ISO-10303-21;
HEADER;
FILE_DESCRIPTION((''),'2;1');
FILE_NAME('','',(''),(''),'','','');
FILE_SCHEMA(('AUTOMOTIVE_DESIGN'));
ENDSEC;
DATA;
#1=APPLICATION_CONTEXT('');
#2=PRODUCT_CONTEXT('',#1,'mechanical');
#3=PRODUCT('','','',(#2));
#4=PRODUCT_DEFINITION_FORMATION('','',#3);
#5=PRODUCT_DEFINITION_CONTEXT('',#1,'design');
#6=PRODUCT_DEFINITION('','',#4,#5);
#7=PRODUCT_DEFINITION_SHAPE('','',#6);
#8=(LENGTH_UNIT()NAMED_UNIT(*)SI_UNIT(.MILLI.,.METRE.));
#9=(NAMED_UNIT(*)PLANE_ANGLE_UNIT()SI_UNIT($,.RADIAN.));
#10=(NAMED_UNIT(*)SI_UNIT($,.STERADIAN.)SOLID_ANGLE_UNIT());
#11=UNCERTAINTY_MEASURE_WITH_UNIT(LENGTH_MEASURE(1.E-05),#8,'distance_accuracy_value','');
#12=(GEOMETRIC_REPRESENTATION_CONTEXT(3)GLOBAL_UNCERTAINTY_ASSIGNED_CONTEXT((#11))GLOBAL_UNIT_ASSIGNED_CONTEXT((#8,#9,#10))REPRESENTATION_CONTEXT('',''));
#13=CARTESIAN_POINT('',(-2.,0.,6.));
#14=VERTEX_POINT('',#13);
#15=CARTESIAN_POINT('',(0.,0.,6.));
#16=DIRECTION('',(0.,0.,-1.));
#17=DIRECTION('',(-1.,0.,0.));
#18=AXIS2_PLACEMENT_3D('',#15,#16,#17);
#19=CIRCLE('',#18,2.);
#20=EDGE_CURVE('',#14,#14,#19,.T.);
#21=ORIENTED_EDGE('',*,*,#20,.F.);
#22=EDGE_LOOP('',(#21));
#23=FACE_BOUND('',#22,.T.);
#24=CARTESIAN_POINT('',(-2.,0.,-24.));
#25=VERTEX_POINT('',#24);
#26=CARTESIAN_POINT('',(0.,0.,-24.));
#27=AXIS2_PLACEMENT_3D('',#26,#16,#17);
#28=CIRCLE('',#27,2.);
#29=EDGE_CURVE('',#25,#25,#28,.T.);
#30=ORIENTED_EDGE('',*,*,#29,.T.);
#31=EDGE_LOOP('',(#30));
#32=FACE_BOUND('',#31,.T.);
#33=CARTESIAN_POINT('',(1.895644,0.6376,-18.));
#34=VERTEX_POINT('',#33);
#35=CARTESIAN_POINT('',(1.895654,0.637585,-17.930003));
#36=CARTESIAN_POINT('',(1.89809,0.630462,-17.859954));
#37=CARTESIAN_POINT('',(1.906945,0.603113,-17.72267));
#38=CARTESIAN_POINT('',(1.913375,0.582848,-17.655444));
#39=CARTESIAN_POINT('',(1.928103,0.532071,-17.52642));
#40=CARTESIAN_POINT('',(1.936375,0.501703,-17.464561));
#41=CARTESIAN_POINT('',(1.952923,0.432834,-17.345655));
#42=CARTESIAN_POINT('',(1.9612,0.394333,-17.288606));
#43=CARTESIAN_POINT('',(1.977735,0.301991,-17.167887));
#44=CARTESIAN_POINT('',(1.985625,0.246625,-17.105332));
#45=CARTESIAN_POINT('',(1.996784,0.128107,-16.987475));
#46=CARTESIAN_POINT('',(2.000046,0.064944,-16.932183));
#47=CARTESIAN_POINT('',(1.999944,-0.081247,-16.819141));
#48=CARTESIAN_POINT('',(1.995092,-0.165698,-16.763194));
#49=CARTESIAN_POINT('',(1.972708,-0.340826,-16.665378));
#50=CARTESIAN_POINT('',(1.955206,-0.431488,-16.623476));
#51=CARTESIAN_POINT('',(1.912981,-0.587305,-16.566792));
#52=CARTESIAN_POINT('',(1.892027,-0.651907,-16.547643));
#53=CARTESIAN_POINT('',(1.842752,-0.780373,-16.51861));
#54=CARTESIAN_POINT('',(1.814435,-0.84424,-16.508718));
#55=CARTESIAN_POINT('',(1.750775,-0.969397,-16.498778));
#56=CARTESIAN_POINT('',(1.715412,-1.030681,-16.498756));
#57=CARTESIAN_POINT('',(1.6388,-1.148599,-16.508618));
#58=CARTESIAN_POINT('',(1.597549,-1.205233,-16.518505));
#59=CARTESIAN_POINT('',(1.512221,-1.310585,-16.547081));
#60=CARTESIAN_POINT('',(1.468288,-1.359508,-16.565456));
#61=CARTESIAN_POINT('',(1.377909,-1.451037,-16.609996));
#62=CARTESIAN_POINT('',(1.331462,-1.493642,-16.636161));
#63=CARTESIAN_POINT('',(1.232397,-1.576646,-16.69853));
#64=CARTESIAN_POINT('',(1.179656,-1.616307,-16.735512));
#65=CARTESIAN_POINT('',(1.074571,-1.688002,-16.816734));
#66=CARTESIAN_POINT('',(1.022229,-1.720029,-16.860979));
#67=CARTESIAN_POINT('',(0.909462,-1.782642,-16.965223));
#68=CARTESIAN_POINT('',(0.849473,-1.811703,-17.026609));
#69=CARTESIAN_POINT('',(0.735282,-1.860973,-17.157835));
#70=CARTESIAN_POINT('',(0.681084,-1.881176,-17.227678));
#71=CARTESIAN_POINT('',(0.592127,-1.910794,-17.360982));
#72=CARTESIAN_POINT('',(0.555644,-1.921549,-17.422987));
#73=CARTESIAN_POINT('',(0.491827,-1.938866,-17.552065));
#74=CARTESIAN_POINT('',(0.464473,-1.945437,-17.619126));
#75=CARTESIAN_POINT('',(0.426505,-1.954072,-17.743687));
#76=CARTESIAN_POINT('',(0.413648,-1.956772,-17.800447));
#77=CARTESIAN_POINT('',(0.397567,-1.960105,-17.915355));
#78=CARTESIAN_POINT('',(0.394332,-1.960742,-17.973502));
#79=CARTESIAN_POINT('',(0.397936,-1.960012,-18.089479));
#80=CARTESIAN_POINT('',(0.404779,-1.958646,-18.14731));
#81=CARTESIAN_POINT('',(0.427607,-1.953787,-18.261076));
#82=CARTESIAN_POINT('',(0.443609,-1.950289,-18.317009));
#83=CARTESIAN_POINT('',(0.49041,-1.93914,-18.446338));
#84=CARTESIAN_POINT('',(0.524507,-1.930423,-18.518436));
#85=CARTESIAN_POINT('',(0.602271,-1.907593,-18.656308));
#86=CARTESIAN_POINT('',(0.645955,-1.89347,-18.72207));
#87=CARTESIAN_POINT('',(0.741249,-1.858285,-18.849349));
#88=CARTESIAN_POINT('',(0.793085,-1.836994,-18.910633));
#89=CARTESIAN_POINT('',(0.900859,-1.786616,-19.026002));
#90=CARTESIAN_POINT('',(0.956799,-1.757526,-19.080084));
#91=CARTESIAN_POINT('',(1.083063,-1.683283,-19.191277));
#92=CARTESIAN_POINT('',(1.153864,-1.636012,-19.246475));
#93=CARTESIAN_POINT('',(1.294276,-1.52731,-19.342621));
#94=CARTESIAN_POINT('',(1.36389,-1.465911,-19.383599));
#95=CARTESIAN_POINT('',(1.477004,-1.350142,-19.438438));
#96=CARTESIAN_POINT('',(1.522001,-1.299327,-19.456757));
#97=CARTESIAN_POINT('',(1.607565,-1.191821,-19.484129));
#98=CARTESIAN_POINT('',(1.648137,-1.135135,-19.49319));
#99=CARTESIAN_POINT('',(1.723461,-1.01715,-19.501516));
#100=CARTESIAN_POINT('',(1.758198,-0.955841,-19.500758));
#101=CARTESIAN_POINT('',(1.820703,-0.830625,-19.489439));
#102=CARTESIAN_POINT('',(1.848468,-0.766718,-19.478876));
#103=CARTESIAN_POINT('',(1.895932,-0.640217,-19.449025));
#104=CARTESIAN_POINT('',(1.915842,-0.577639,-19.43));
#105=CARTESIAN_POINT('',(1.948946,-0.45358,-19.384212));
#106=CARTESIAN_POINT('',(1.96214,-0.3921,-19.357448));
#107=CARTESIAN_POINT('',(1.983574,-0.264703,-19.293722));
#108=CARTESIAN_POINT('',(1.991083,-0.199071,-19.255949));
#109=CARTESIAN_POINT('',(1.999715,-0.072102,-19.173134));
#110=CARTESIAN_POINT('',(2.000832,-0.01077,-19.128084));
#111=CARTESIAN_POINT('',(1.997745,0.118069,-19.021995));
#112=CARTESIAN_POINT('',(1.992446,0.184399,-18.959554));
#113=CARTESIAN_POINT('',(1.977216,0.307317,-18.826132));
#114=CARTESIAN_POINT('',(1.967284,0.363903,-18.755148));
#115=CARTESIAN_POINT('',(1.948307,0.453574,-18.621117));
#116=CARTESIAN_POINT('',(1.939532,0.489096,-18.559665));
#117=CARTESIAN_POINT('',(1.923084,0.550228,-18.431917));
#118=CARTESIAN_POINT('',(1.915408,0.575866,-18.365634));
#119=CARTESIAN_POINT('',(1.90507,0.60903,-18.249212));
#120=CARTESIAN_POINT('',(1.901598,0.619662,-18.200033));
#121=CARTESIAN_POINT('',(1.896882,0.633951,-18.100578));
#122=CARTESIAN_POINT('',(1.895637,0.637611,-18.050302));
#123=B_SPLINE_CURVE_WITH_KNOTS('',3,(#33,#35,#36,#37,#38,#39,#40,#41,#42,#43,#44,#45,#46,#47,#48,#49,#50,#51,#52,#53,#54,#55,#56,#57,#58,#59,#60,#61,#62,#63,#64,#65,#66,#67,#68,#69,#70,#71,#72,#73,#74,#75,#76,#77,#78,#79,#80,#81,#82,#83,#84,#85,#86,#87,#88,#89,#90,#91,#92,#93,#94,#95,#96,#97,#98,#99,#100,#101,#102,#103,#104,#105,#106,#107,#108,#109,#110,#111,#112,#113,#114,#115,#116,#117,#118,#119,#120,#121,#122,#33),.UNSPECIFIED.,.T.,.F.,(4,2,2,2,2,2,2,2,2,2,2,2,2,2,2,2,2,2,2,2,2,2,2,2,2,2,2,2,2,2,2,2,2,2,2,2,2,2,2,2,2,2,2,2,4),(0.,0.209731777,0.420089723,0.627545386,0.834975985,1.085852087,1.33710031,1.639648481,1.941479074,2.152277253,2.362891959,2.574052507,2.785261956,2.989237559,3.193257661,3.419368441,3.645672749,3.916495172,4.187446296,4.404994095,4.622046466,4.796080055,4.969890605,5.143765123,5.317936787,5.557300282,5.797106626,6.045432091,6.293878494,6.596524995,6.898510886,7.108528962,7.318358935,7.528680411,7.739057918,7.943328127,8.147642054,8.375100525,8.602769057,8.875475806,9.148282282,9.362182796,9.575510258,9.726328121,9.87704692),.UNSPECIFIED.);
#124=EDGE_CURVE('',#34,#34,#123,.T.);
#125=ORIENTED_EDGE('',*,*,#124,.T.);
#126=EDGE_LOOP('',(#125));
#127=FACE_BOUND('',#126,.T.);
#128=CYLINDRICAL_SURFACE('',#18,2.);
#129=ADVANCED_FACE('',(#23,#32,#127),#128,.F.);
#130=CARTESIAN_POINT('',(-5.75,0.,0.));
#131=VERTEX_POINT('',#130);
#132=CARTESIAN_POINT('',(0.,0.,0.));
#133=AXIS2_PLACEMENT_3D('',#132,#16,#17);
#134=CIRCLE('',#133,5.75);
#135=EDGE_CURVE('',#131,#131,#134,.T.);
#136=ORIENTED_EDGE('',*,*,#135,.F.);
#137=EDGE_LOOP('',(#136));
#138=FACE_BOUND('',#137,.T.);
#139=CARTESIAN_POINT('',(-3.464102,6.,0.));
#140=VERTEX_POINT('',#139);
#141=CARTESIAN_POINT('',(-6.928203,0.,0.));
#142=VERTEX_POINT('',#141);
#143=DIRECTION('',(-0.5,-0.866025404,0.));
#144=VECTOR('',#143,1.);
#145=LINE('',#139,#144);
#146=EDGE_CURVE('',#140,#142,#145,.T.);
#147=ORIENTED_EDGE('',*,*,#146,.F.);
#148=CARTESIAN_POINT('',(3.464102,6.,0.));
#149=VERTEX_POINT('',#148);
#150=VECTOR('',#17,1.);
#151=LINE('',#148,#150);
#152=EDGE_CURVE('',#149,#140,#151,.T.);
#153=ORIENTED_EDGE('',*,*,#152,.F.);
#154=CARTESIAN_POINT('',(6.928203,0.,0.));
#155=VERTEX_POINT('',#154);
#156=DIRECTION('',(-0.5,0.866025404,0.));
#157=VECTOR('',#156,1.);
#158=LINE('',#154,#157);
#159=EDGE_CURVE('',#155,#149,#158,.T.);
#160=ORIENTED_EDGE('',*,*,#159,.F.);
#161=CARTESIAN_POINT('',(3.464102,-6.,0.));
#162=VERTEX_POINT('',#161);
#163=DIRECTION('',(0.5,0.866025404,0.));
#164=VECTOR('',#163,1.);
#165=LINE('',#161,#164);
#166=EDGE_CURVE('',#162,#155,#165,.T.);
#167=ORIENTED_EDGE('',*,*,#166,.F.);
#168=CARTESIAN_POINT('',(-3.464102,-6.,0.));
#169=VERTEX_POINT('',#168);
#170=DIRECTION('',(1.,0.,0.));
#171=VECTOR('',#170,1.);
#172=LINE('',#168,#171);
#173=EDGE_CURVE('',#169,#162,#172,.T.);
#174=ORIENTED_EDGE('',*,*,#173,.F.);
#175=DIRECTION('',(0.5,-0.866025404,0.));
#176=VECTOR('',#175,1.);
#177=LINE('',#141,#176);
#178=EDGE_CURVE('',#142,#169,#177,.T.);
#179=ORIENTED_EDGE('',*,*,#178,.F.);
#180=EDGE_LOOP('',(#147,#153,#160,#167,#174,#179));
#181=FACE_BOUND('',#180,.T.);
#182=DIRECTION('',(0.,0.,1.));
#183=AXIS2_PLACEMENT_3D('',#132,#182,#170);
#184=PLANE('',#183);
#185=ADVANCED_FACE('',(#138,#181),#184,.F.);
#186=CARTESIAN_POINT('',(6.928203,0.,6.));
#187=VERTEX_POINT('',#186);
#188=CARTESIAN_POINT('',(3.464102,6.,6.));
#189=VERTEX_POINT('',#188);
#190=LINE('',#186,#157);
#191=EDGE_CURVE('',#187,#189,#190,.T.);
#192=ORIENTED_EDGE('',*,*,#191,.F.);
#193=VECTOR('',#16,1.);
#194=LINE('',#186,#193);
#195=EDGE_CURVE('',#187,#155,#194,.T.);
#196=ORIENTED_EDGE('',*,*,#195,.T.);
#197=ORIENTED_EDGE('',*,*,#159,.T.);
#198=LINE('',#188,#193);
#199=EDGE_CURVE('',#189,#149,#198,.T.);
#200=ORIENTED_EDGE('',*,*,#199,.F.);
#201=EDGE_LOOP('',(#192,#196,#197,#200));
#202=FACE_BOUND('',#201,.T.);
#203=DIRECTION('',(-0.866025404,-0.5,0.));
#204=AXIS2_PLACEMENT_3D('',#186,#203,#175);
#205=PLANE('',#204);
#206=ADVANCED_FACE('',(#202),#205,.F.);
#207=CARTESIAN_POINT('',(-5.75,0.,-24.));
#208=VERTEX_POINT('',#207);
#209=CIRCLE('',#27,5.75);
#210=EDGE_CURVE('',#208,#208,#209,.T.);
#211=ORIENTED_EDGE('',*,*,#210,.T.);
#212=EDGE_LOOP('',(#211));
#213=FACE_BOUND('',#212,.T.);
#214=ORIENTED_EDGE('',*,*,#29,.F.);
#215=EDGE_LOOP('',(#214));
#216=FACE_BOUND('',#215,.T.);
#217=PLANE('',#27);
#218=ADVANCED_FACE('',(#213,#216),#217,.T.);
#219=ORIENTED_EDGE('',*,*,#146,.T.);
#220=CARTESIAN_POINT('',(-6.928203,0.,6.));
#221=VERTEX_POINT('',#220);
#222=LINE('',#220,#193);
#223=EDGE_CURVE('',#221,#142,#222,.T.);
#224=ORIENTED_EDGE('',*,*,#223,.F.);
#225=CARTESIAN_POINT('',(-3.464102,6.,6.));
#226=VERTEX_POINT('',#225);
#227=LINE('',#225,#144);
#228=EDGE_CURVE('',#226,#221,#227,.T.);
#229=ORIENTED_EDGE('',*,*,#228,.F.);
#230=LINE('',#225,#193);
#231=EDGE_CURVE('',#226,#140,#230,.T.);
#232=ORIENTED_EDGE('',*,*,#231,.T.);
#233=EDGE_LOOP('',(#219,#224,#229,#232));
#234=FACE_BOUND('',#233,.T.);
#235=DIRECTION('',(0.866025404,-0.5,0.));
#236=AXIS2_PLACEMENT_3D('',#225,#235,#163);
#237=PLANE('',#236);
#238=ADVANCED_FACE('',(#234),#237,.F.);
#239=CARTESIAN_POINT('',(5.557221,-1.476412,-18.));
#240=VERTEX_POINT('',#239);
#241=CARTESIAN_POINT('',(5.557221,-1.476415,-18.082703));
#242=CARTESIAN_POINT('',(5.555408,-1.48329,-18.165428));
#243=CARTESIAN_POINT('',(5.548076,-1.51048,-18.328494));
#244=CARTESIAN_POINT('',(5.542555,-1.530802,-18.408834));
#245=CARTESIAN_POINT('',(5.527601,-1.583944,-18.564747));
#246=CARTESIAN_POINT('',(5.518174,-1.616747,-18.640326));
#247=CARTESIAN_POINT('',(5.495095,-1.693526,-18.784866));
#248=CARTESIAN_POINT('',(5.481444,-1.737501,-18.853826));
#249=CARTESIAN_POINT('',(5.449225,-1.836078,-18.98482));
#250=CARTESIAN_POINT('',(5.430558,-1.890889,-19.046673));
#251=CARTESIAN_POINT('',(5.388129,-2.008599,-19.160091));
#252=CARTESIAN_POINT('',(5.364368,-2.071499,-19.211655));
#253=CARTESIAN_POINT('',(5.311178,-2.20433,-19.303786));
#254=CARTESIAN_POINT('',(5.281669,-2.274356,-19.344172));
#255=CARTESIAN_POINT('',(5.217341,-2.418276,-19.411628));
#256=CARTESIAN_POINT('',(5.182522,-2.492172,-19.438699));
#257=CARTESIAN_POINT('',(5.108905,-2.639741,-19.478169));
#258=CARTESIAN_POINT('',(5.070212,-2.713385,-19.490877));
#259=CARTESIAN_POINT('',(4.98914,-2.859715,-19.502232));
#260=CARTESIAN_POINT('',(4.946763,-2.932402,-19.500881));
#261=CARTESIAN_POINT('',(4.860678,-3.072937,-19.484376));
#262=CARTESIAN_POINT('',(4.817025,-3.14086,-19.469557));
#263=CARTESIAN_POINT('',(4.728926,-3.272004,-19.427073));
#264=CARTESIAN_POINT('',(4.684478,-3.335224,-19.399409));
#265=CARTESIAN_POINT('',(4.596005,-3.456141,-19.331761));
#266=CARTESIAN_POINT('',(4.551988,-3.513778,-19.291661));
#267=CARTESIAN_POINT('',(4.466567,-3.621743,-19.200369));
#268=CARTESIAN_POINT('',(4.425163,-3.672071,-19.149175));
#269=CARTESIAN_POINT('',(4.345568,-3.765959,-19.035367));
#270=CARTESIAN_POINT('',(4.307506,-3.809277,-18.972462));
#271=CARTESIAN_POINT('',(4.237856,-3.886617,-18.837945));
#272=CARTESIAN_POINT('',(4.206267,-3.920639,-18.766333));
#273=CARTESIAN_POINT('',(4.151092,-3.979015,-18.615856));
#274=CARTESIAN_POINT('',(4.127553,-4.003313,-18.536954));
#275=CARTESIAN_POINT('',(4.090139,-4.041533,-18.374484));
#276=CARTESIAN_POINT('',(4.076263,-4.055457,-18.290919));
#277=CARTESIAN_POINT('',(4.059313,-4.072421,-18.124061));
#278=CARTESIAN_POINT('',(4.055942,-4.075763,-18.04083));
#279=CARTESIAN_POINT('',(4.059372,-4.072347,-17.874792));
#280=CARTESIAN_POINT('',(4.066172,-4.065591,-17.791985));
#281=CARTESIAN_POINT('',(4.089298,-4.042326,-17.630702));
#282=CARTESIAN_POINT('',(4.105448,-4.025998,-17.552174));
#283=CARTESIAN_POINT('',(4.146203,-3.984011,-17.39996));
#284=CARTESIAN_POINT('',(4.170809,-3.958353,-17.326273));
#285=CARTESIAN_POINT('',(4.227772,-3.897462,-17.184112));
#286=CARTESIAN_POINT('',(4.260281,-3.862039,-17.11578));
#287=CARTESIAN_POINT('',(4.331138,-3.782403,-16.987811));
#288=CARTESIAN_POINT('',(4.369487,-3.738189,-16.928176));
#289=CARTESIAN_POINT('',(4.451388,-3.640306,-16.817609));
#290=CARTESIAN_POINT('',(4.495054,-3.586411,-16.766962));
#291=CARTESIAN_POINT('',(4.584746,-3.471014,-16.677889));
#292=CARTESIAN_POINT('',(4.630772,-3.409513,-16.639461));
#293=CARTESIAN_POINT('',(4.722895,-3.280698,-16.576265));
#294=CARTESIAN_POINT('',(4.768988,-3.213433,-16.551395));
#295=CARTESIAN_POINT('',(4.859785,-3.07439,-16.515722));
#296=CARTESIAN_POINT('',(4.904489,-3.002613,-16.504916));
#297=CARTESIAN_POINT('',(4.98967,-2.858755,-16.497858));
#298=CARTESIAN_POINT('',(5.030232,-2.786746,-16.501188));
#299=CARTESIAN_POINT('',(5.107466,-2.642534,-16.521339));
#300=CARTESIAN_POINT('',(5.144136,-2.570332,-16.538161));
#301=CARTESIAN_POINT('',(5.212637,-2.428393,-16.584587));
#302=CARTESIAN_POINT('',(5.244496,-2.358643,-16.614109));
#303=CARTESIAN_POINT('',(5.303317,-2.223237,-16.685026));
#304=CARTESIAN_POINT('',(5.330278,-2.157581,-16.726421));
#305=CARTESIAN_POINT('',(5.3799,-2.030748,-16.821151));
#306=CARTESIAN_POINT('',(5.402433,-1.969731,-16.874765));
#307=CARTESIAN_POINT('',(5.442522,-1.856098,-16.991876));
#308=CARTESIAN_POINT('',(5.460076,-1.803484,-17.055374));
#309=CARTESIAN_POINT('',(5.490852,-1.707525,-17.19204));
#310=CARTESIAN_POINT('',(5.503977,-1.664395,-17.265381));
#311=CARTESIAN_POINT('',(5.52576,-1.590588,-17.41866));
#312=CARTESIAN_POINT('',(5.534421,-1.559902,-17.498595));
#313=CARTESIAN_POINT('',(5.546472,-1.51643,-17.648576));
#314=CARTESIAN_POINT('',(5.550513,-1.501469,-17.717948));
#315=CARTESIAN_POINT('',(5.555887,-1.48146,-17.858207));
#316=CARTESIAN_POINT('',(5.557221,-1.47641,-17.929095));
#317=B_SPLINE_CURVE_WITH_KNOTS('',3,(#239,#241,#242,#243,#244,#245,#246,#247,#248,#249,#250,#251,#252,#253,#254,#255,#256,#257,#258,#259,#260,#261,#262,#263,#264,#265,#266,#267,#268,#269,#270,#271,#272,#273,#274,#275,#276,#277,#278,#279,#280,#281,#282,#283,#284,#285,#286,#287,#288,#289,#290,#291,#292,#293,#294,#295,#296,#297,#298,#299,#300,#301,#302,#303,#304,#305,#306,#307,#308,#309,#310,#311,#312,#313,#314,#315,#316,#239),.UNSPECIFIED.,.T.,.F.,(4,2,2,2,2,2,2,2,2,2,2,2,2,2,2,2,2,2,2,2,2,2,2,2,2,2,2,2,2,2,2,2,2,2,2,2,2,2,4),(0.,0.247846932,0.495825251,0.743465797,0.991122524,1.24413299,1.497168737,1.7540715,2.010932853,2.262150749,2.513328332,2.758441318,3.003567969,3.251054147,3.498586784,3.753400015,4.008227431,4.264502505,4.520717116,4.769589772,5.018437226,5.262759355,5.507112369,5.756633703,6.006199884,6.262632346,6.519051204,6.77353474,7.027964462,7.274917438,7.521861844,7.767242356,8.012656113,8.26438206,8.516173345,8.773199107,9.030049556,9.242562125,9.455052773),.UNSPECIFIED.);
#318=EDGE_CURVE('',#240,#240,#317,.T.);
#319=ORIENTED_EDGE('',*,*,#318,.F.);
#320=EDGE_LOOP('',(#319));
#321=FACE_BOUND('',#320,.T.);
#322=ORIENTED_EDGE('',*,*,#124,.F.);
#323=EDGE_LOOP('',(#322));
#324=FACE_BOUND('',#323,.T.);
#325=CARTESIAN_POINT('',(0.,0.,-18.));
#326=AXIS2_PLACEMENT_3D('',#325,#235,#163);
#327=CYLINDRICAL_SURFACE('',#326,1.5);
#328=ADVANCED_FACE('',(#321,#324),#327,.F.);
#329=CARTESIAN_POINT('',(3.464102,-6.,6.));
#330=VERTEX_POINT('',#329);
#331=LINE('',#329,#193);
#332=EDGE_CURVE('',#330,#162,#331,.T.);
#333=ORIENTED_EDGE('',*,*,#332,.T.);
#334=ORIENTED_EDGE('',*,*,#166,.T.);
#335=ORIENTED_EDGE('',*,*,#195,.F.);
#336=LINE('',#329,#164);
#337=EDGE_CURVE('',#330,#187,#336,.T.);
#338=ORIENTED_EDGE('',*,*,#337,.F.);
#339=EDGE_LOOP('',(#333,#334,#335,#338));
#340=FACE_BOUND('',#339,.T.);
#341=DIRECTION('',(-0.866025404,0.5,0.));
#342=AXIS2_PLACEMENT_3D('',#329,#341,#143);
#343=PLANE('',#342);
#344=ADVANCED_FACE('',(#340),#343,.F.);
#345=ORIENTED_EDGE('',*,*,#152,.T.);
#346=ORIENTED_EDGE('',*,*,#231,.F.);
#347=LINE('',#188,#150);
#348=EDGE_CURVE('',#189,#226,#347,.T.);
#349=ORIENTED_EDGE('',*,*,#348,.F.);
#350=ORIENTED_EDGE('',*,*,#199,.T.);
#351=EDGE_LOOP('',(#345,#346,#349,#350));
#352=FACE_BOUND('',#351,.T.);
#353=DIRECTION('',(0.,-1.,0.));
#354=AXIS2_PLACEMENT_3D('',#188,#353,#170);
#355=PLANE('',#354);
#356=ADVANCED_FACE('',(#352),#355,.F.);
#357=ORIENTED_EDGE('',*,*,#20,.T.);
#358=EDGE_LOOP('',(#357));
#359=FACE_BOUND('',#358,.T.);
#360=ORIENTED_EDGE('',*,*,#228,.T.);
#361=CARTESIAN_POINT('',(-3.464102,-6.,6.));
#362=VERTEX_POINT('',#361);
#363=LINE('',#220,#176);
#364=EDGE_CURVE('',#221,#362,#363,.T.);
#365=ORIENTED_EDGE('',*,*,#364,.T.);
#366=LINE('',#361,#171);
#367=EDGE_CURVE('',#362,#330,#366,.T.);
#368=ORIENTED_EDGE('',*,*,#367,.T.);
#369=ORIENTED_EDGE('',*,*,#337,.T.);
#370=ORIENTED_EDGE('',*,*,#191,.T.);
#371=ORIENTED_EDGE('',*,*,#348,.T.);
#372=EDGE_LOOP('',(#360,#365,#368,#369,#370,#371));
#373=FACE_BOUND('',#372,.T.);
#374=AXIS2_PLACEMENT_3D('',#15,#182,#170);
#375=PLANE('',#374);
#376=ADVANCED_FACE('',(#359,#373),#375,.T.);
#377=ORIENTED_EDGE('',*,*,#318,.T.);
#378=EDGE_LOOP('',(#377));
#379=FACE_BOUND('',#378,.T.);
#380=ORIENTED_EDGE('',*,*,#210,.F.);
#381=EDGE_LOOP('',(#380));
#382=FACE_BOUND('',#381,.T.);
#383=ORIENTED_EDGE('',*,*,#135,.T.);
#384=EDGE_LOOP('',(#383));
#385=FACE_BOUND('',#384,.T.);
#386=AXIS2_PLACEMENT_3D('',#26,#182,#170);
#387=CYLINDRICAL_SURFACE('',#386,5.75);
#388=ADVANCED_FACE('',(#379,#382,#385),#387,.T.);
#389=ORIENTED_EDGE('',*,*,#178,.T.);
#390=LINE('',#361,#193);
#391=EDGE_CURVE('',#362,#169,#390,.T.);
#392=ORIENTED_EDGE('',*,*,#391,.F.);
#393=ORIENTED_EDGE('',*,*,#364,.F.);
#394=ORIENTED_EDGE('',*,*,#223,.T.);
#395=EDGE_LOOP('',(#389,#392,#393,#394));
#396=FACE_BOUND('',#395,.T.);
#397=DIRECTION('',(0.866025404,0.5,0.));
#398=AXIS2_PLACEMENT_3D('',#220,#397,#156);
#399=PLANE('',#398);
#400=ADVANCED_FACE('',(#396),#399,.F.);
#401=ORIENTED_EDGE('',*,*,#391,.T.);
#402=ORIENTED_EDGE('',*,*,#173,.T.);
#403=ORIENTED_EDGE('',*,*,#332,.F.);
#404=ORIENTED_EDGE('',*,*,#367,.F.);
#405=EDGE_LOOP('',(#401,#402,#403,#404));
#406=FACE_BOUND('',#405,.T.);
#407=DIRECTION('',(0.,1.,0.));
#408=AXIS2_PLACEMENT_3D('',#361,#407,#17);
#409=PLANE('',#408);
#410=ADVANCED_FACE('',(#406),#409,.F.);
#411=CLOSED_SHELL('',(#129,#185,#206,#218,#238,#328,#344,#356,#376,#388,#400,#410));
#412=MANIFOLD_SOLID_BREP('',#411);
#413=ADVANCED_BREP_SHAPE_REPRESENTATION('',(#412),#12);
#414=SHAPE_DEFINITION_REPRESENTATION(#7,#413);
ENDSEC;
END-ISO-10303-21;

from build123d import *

# Parameters (mm, degrees)
BOSS_EXTRUDE1_DEPTH = 6
SKETCH2_R           = 5.75
BOSS_EXTRUDE2_DEPTH = 24
SKETCH4_R           = 2
CUT_EXTRUDE2_DEPTH  = 31
SKETCH5_R           = 1.5
CUT_EXTRUDE3_DEPTH  = 6


with BuildPart() as part:
    # Sketch1 → Boss-Extrude1 (new body)
    with BuildSketch(Plane(origin=(0, 0, 0), x_dir=(0, 1, 0), z_dir=(0, 0, 1))):
        Polygon((0, 6.92820323), (-6, 3.464101615), (-6, -3.464101615), (0, -6.92820323), (6, -3.464101615), (6, 3.464101615), align=None)
    extrude(amount=BOSS_EXTRUDE1_DEPTH)

    # Sketch2 → Boss-Extrude2 (add)
    with BuildSketch(Plane(origin=(0, 0, 0), x_dir=(1, 0, 0), z_dir=(0, 0, -1))):
        Circle(SKETCH2_R)
    extrude(amount=BOSS_EXTRUDE2_DEPTH)

    # Sketch4 → Cut-Extrude2 (cut, through all)
    with BuildSketch(Plane(origin=(0, 0, -24), x_dir=(1, 0, 0), z_dir=(0, 0, -1))):
        Circle(SKETCH4_R)
    extrude(amount=-CUT_EXTRUDE2_DEPTH, mode=Mode.SUBTRACT)

    # Sketch5 → Cut-Extrude3 (cut)
    with BuildSketch(Plane(origin=(5.196152423, -3, 0), x_dir=(0.5, 0.866025404, 0), z_dir=(0.866025404, -0.5, 0))):
        with Locations((0, -18)):
            Circle(SKETCH5_R)
    extrude(amount=-CUT_EXTRUDE3_DEPTH, mode=Mode.SUBTRACT)


solid = part.part
